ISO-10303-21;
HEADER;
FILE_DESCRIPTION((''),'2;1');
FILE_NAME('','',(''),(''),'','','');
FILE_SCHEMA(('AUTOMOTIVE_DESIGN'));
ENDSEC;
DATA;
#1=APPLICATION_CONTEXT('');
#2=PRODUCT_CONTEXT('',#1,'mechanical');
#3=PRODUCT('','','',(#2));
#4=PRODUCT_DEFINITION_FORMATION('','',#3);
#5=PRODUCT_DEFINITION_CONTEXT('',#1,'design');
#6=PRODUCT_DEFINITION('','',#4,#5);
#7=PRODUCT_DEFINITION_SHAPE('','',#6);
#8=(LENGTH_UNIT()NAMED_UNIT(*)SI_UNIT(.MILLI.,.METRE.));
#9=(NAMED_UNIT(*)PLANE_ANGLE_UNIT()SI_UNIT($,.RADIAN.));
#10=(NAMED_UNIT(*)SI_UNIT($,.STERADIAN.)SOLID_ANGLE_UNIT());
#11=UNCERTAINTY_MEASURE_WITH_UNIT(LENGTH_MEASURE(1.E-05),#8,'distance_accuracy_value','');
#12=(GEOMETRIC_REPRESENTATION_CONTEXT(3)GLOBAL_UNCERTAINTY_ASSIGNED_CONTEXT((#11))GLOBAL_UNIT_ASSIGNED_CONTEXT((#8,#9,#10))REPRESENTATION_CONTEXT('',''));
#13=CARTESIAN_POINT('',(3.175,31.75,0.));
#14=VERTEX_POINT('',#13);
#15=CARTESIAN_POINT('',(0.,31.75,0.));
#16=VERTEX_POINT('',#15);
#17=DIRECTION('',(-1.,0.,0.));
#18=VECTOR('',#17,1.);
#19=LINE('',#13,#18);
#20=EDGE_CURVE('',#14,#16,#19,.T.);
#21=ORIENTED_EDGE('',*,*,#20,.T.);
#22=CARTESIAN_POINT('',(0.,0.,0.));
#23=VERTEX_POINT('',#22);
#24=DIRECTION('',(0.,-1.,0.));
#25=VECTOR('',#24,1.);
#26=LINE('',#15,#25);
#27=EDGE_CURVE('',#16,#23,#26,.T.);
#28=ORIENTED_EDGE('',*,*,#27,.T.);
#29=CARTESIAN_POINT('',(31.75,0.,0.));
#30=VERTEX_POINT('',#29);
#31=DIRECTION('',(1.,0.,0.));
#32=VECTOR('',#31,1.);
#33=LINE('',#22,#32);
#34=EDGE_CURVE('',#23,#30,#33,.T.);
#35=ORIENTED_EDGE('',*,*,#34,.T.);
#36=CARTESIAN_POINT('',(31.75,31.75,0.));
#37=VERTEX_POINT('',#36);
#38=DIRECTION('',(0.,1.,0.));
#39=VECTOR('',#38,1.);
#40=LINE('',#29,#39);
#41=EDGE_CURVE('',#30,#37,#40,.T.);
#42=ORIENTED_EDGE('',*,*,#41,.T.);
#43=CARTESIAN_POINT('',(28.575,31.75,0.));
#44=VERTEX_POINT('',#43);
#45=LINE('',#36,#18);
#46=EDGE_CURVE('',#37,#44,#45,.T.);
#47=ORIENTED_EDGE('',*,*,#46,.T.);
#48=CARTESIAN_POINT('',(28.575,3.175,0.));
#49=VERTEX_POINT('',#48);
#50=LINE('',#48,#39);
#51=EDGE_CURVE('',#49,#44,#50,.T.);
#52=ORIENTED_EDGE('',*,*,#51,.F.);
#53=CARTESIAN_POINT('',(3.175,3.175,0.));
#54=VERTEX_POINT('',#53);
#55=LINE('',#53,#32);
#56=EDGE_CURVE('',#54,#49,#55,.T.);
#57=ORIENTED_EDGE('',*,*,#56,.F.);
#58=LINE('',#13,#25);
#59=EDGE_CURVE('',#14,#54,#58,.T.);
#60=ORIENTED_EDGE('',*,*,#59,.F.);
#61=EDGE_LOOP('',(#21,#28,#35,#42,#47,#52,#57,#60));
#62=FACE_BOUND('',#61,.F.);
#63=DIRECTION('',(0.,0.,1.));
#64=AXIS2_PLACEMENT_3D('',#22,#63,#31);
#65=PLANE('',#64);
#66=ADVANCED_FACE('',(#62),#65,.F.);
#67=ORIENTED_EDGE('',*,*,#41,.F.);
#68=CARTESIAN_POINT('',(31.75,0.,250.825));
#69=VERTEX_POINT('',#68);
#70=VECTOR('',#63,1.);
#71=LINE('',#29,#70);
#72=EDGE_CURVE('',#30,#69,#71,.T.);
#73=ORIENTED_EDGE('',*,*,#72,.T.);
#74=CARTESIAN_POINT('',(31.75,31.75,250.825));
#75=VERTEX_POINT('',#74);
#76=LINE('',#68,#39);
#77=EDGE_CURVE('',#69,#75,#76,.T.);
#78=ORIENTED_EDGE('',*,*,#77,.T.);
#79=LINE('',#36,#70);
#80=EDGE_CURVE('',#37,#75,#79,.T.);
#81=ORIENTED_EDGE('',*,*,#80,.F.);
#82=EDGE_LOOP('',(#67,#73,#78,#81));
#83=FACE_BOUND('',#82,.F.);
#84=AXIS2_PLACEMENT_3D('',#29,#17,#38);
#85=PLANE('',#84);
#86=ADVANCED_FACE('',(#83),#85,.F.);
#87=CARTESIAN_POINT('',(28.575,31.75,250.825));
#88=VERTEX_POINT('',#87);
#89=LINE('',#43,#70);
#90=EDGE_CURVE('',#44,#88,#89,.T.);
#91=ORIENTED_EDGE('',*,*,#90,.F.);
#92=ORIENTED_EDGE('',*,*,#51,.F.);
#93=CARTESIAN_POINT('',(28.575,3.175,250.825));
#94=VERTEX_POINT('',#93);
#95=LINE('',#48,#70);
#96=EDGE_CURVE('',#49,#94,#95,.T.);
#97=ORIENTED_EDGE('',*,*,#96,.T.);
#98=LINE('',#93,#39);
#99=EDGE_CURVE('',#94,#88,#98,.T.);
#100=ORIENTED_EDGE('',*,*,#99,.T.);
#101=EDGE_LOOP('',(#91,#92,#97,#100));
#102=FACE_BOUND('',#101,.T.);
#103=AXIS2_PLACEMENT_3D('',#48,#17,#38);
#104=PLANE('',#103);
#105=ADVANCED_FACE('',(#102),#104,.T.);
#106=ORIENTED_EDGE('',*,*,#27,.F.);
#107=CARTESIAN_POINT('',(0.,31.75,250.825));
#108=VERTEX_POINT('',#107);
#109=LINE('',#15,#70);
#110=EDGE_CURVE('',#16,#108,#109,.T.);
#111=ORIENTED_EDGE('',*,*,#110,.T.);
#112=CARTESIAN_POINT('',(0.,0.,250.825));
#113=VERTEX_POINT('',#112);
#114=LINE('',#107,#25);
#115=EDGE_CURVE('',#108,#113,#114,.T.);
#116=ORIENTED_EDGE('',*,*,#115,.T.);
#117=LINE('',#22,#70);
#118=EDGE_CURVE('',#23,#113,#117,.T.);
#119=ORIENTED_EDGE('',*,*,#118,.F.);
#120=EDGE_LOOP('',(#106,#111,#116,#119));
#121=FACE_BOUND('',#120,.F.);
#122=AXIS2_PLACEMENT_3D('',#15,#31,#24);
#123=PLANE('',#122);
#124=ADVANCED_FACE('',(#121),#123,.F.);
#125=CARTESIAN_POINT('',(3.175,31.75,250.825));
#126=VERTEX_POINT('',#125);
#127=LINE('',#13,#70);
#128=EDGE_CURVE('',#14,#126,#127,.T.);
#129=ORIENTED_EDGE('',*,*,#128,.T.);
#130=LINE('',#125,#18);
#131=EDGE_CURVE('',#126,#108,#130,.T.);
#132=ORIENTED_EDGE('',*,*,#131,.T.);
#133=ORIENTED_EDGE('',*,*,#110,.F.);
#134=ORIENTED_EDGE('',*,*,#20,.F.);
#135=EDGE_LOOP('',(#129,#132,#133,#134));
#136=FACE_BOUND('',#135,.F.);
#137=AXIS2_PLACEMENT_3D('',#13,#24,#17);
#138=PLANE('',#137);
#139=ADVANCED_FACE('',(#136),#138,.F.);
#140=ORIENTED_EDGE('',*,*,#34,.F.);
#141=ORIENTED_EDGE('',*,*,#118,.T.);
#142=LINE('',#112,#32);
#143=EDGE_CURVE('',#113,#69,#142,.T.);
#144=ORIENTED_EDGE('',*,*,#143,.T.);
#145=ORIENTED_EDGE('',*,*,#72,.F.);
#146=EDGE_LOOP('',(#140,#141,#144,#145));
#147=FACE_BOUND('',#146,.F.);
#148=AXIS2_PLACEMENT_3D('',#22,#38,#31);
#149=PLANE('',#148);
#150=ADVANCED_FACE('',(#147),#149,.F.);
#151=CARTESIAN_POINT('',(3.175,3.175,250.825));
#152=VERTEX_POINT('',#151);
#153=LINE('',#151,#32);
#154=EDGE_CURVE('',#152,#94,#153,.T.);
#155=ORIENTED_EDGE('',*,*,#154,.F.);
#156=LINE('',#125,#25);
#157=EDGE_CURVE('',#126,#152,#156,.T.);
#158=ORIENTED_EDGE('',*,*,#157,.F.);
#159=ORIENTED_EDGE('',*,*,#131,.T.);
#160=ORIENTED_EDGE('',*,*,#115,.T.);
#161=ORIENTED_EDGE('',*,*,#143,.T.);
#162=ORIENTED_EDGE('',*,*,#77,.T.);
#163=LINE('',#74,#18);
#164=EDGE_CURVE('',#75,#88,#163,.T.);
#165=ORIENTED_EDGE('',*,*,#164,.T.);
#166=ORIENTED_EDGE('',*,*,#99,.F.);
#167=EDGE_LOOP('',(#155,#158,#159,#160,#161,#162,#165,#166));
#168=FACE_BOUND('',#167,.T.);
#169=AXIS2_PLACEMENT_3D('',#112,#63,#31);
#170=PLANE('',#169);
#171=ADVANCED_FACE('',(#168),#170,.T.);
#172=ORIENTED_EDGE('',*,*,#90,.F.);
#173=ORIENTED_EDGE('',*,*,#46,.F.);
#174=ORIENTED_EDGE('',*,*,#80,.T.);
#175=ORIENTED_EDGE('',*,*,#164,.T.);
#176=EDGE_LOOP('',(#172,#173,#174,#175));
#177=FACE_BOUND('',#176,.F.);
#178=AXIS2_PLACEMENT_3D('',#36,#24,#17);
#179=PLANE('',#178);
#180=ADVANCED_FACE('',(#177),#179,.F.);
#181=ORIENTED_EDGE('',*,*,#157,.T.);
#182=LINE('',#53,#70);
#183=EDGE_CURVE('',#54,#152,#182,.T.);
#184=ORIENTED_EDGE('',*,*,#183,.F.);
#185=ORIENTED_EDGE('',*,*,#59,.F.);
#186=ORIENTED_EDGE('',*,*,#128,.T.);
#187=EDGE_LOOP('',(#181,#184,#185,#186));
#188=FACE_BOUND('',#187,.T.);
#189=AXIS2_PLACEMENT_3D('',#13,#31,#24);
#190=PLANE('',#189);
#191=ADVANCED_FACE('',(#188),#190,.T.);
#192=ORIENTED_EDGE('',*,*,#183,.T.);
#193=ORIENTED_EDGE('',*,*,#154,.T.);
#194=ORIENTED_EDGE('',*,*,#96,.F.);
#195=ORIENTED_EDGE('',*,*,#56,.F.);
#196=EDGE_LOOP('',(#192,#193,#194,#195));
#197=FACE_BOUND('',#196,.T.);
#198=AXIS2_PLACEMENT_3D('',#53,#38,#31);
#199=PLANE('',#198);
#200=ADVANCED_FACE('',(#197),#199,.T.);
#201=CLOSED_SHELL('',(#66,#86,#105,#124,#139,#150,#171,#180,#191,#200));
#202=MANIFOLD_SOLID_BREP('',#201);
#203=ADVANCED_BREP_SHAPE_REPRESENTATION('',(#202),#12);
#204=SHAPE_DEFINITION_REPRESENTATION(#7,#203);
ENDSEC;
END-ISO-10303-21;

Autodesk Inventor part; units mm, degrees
ref_plane "YZ Plane" through (0, 0, 0) normal (1, 0, 0) x (0, 1, 0)
ref_plane "XZ Plane" through (0, 0, 0) normal (0, 1, 0) x (-1, 0, 0)
ref_plane "XY Plane" through (0, 0, 0) normal (0, 0, 1) x (1, 0, 0)
sketch "Sketch1" plane through (0, 0, 0) normal (0, 0, 1) x (1, 0, 0)
  line L0 (0, 0) -> (31.75, 0)
  line L1 (31.75, 0) -> (31.75, 31.75)
  line L2 (0, 31.75) -> (0, 0)
  line L3 (3.175, 31.75) -> (3.175, 3.175)
  line L4 (3.175, 3.175) -> (28.575, 3.175)
  line L5 (28.575, 3.175) -> (28.575, 31.75)
  line L6 (31.75, 31.75) -> (28.575, 31.75)
  line L7 (3.175, 31.75) -> (0, 31.75)
  dimension "d0" = 3.175
  dimension "d2" = 3.175
  dimension "d3" = 3.175
  dimension "d4" = 31.75
  dimension "d5" = 31.75
extrude "Extrusion1" add sketch "Sketch1" along normal blind 250.825
equation "\"d0\" = d3"
equation "\"d2\" = d0"
equation "\"d5\" = d4"
properties part number "8 ball slider U"
